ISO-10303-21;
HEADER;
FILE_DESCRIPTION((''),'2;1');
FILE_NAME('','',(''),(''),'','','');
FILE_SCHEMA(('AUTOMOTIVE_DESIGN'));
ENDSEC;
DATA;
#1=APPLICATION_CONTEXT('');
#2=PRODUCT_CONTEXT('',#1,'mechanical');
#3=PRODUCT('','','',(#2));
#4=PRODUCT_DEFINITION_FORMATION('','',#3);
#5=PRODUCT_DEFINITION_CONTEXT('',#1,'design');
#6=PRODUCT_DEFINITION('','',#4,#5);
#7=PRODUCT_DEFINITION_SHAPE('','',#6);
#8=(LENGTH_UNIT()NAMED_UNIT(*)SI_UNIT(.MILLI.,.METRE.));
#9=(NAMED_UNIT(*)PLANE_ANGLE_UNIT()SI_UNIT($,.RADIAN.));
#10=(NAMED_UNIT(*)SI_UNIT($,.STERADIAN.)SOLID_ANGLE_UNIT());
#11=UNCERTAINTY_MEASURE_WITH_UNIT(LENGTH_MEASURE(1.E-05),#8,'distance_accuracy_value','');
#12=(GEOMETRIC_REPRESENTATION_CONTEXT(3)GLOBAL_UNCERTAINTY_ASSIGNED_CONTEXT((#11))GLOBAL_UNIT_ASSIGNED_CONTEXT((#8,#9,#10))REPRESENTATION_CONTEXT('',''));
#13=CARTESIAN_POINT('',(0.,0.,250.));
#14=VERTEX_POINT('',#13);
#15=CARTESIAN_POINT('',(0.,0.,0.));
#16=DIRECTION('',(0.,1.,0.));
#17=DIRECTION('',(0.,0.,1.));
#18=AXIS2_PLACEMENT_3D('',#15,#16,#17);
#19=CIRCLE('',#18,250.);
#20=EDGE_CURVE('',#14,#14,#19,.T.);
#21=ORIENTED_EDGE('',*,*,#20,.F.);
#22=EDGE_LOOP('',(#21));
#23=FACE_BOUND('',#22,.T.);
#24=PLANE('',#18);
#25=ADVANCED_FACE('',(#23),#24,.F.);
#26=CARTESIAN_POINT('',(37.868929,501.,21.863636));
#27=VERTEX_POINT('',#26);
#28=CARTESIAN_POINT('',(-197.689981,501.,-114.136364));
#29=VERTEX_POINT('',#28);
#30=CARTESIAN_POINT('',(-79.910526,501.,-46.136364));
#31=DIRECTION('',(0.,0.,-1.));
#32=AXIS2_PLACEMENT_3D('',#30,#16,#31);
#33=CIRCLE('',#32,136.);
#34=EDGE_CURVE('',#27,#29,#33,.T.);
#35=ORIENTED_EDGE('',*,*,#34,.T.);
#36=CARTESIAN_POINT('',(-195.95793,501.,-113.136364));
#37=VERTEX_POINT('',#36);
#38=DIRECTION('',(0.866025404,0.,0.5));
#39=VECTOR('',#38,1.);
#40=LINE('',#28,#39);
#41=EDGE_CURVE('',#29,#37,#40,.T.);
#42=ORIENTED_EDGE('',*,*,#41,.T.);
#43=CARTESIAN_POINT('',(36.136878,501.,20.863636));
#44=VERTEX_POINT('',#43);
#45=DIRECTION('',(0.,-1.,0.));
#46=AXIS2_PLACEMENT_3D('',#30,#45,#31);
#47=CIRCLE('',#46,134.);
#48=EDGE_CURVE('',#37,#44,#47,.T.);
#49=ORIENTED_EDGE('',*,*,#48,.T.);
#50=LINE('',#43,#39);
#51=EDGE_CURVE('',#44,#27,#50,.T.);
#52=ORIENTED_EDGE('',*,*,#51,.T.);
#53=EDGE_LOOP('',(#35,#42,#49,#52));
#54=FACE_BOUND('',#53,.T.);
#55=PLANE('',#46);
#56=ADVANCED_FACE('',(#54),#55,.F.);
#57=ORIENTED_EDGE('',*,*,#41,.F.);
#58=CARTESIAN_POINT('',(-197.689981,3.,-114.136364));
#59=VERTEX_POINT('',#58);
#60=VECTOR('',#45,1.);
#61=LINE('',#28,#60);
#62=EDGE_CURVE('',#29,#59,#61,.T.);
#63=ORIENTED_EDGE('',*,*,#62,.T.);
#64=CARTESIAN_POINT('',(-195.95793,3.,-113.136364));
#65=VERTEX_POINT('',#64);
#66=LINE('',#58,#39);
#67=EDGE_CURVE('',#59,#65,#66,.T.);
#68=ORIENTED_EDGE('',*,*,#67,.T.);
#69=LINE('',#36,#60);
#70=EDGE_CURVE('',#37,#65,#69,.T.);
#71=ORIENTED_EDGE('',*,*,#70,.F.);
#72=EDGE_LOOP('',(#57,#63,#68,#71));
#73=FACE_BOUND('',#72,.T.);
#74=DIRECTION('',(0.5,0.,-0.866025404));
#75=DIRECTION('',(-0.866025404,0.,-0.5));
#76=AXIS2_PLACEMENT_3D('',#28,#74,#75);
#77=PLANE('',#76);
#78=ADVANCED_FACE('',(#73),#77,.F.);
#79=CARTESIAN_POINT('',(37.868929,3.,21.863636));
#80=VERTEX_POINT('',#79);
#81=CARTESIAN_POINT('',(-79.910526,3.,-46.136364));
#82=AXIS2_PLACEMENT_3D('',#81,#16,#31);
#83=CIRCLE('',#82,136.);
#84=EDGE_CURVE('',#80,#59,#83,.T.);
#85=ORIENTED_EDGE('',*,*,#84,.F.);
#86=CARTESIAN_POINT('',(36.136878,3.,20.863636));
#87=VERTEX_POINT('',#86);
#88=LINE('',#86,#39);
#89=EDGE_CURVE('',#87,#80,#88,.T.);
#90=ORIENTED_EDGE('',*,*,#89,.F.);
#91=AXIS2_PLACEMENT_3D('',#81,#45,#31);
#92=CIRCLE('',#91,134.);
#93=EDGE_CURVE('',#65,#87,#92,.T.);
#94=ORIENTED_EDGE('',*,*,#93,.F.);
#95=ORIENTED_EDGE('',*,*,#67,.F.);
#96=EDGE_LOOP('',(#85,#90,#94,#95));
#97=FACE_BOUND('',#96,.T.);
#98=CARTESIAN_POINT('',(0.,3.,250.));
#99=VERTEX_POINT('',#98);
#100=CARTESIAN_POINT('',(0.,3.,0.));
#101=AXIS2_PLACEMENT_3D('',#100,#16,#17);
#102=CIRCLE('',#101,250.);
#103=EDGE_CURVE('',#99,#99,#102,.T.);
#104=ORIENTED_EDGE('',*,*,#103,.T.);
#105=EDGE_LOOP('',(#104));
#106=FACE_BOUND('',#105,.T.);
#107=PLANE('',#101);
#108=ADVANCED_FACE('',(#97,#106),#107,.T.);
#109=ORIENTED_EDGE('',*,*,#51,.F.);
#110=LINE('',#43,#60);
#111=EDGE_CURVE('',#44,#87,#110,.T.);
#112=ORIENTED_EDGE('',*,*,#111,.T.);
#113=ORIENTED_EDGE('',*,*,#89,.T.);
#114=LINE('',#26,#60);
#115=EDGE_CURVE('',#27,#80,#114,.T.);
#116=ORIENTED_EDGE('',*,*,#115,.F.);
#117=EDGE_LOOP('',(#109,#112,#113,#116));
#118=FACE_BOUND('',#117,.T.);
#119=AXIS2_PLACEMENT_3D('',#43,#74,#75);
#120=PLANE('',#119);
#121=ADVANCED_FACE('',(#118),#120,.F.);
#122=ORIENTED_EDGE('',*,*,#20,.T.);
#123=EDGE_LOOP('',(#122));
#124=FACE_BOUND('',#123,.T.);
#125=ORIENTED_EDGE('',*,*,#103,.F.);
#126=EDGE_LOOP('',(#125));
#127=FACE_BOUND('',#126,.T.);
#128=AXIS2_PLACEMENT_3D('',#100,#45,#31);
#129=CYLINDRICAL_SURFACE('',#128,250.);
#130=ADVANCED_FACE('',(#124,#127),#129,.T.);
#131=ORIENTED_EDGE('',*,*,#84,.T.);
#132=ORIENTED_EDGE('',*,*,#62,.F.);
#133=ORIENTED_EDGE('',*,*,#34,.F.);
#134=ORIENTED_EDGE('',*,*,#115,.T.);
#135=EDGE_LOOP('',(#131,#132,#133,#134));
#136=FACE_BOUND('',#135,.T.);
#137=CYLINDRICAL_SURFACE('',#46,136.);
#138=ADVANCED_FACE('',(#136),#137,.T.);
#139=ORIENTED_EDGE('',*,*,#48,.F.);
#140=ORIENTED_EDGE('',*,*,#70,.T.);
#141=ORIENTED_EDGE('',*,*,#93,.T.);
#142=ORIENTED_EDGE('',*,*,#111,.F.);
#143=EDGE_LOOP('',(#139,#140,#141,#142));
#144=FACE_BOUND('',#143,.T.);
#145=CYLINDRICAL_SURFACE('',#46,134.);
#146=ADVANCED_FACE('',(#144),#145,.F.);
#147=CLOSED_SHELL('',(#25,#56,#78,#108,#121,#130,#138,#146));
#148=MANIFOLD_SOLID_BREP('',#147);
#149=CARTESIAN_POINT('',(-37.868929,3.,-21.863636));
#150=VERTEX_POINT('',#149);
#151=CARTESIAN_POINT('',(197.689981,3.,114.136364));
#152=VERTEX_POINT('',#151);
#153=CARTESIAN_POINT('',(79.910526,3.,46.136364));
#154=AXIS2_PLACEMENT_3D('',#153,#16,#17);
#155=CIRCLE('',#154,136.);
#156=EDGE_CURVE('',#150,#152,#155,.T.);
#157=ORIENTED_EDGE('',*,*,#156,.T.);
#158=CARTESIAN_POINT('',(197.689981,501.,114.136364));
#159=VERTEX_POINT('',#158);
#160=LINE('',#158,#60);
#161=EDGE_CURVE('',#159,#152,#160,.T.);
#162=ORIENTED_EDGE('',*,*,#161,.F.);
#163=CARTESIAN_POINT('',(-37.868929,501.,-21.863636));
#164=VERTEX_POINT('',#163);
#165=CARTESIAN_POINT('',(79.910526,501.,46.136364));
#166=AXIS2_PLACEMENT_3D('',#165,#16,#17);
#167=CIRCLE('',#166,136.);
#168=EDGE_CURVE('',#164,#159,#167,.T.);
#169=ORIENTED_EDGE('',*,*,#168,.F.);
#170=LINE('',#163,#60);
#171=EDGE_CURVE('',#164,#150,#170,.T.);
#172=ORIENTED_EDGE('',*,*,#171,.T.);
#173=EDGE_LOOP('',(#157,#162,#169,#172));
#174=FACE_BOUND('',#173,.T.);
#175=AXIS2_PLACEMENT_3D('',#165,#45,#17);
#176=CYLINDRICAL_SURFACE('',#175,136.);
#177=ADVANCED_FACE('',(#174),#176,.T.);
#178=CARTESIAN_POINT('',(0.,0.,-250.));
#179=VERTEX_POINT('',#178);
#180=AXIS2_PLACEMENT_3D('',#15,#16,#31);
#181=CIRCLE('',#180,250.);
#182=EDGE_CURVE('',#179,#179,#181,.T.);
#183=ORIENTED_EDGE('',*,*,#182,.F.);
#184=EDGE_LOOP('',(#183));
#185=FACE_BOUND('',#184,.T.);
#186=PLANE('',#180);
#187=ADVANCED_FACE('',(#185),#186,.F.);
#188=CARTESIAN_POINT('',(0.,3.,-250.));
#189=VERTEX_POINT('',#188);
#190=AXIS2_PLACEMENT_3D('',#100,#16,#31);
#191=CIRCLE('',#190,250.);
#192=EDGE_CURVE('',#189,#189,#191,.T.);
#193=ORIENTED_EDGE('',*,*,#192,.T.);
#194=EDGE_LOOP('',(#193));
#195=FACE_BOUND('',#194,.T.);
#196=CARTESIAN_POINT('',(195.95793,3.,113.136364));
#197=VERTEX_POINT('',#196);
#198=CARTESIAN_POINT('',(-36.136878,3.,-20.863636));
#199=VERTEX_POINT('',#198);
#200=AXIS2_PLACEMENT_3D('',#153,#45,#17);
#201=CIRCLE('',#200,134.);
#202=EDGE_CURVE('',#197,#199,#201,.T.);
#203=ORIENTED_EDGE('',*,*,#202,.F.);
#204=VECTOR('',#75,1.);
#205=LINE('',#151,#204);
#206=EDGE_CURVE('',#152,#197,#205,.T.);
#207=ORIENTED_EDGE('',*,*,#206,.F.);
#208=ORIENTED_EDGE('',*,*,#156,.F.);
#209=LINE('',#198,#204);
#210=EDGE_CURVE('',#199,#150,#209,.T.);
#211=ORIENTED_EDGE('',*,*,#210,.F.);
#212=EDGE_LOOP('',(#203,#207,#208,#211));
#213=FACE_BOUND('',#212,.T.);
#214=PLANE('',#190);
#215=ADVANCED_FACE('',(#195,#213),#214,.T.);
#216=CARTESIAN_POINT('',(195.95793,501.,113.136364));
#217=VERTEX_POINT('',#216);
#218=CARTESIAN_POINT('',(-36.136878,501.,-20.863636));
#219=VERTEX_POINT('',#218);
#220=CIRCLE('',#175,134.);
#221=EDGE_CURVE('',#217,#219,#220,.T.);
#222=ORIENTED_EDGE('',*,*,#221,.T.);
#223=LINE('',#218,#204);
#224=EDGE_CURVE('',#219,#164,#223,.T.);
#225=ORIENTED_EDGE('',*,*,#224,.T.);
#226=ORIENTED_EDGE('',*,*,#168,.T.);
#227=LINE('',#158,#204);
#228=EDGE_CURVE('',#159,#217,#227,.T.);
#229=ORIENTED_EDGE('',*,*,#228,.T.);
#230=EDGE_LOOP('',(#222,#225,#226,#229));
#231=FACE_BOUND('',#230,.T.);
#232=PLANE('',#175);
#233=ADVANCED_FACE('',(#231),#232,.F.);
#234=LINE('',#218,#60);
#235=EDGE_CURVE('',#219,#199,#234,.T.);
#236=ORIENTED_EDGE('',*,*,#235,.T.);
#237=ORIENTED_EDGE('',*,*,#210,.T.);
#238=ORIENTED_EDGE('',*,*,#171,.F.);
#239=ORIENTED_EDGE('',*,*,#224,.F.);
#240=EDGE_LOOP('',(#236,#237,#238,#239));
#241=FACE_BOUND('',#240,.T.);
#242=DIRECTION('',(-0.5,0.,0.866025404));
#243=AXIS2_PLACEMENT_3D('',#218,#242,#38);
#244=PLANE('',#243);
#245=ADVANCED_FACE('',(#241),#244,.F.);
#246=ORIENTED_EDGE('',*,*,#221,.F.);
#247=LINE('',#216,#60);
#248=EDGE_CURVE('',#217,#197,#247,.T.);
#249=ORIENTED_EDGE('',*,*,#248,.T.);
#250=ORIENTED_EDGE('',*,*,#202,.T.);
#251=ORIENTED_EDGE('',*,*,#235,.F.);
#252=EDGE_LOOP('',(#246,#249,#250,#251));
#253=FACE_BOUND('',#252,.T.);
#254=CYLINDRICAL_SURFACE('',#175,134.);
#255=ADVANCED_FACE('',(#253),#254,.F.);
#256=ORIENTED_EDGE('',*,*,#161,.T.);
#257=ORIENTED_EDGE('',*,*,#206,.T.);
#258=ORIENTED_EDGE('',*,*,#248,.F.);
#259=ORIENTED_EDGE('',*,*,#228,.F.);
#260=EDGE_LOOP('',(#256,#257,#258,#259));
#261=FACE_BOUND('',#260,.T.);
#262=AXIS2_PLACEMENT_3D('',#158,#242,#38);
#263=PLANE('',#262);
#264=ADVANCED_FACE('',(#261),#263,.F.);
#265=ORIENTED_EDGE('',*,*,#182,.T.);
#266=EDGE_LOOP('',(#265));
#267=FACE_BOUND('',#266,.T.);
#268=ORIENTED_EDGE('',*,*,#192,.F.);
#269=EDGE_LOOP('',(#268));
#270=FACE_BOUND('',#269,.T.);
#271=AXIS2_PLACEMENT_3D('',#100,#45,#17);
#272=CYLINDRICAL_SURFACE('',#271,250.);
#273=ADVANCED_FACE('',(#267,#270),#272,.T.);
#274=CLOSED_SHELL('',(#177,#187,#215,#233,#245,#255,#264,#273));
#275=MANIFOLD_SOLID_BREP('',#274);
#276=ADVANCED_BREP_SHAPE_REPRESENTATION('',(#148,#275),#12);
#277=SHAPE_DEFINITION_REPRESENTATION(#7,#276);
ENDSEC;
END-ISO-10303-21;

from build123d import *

# Parameters (mm, degrees)
CROQUIS1_R              = 250
SALIENTE_EXTRUIR1_DEPTH = 3
SALIENTE_EXTRUIR2_DEPTH = 498
MATRIZC1_COUNT          = 2


with BuildPart() as part:
    # Croquis1 → Saliente-Extruir1 (new body)
    with BuildSketch(Plane(origin=(0, 0, 0), x_dir=(1, 0, 0), z_dir=(0, 1, 0))):
        with Locations(Location((0, 0, 0), (0, 0, 270))):
            Circle(CROQUIS1_R)
    extrude(amount=SALIENTE_EXTRUIR1_DEPTH)

    # Croquis2 → Saliente-Extruir2 (add)
    with BuildSketch(Plane(origin=(0, 3, 0), x_dir=(1, 0, 0), z_dir=(0, 1, 0))):
        with BuildLine():
            Line((-197.689980809, 114.136363636), (-195.957930002, 113.136363636))
            ThreePointArc((-195.957930002, 113.136363636), (-12.910525895, 162.183767743), (36.136878212, -20.863636364))
            Line((36.136878212, -20.863636364), (37.86892902, -21.863636364))
            ThreePointArc((37.86892902, -21.863636364), (-11.910525895, 163.915818551), (-197.689980809, 114.136363636))
        make_face()
    extrude(amount=SALIENTE_EXTRUIR2_DEPTH)


with BuildPart() as matrizc1_1:
    # MatrizC1: pattern copy
    add(part.part.rotate(Axis((0, 0, 0), (0, 1, 0)), 1 * 360 / MATRIZC1_COUNT))


solid = Compound([part.part, matrizc1_1.part])
